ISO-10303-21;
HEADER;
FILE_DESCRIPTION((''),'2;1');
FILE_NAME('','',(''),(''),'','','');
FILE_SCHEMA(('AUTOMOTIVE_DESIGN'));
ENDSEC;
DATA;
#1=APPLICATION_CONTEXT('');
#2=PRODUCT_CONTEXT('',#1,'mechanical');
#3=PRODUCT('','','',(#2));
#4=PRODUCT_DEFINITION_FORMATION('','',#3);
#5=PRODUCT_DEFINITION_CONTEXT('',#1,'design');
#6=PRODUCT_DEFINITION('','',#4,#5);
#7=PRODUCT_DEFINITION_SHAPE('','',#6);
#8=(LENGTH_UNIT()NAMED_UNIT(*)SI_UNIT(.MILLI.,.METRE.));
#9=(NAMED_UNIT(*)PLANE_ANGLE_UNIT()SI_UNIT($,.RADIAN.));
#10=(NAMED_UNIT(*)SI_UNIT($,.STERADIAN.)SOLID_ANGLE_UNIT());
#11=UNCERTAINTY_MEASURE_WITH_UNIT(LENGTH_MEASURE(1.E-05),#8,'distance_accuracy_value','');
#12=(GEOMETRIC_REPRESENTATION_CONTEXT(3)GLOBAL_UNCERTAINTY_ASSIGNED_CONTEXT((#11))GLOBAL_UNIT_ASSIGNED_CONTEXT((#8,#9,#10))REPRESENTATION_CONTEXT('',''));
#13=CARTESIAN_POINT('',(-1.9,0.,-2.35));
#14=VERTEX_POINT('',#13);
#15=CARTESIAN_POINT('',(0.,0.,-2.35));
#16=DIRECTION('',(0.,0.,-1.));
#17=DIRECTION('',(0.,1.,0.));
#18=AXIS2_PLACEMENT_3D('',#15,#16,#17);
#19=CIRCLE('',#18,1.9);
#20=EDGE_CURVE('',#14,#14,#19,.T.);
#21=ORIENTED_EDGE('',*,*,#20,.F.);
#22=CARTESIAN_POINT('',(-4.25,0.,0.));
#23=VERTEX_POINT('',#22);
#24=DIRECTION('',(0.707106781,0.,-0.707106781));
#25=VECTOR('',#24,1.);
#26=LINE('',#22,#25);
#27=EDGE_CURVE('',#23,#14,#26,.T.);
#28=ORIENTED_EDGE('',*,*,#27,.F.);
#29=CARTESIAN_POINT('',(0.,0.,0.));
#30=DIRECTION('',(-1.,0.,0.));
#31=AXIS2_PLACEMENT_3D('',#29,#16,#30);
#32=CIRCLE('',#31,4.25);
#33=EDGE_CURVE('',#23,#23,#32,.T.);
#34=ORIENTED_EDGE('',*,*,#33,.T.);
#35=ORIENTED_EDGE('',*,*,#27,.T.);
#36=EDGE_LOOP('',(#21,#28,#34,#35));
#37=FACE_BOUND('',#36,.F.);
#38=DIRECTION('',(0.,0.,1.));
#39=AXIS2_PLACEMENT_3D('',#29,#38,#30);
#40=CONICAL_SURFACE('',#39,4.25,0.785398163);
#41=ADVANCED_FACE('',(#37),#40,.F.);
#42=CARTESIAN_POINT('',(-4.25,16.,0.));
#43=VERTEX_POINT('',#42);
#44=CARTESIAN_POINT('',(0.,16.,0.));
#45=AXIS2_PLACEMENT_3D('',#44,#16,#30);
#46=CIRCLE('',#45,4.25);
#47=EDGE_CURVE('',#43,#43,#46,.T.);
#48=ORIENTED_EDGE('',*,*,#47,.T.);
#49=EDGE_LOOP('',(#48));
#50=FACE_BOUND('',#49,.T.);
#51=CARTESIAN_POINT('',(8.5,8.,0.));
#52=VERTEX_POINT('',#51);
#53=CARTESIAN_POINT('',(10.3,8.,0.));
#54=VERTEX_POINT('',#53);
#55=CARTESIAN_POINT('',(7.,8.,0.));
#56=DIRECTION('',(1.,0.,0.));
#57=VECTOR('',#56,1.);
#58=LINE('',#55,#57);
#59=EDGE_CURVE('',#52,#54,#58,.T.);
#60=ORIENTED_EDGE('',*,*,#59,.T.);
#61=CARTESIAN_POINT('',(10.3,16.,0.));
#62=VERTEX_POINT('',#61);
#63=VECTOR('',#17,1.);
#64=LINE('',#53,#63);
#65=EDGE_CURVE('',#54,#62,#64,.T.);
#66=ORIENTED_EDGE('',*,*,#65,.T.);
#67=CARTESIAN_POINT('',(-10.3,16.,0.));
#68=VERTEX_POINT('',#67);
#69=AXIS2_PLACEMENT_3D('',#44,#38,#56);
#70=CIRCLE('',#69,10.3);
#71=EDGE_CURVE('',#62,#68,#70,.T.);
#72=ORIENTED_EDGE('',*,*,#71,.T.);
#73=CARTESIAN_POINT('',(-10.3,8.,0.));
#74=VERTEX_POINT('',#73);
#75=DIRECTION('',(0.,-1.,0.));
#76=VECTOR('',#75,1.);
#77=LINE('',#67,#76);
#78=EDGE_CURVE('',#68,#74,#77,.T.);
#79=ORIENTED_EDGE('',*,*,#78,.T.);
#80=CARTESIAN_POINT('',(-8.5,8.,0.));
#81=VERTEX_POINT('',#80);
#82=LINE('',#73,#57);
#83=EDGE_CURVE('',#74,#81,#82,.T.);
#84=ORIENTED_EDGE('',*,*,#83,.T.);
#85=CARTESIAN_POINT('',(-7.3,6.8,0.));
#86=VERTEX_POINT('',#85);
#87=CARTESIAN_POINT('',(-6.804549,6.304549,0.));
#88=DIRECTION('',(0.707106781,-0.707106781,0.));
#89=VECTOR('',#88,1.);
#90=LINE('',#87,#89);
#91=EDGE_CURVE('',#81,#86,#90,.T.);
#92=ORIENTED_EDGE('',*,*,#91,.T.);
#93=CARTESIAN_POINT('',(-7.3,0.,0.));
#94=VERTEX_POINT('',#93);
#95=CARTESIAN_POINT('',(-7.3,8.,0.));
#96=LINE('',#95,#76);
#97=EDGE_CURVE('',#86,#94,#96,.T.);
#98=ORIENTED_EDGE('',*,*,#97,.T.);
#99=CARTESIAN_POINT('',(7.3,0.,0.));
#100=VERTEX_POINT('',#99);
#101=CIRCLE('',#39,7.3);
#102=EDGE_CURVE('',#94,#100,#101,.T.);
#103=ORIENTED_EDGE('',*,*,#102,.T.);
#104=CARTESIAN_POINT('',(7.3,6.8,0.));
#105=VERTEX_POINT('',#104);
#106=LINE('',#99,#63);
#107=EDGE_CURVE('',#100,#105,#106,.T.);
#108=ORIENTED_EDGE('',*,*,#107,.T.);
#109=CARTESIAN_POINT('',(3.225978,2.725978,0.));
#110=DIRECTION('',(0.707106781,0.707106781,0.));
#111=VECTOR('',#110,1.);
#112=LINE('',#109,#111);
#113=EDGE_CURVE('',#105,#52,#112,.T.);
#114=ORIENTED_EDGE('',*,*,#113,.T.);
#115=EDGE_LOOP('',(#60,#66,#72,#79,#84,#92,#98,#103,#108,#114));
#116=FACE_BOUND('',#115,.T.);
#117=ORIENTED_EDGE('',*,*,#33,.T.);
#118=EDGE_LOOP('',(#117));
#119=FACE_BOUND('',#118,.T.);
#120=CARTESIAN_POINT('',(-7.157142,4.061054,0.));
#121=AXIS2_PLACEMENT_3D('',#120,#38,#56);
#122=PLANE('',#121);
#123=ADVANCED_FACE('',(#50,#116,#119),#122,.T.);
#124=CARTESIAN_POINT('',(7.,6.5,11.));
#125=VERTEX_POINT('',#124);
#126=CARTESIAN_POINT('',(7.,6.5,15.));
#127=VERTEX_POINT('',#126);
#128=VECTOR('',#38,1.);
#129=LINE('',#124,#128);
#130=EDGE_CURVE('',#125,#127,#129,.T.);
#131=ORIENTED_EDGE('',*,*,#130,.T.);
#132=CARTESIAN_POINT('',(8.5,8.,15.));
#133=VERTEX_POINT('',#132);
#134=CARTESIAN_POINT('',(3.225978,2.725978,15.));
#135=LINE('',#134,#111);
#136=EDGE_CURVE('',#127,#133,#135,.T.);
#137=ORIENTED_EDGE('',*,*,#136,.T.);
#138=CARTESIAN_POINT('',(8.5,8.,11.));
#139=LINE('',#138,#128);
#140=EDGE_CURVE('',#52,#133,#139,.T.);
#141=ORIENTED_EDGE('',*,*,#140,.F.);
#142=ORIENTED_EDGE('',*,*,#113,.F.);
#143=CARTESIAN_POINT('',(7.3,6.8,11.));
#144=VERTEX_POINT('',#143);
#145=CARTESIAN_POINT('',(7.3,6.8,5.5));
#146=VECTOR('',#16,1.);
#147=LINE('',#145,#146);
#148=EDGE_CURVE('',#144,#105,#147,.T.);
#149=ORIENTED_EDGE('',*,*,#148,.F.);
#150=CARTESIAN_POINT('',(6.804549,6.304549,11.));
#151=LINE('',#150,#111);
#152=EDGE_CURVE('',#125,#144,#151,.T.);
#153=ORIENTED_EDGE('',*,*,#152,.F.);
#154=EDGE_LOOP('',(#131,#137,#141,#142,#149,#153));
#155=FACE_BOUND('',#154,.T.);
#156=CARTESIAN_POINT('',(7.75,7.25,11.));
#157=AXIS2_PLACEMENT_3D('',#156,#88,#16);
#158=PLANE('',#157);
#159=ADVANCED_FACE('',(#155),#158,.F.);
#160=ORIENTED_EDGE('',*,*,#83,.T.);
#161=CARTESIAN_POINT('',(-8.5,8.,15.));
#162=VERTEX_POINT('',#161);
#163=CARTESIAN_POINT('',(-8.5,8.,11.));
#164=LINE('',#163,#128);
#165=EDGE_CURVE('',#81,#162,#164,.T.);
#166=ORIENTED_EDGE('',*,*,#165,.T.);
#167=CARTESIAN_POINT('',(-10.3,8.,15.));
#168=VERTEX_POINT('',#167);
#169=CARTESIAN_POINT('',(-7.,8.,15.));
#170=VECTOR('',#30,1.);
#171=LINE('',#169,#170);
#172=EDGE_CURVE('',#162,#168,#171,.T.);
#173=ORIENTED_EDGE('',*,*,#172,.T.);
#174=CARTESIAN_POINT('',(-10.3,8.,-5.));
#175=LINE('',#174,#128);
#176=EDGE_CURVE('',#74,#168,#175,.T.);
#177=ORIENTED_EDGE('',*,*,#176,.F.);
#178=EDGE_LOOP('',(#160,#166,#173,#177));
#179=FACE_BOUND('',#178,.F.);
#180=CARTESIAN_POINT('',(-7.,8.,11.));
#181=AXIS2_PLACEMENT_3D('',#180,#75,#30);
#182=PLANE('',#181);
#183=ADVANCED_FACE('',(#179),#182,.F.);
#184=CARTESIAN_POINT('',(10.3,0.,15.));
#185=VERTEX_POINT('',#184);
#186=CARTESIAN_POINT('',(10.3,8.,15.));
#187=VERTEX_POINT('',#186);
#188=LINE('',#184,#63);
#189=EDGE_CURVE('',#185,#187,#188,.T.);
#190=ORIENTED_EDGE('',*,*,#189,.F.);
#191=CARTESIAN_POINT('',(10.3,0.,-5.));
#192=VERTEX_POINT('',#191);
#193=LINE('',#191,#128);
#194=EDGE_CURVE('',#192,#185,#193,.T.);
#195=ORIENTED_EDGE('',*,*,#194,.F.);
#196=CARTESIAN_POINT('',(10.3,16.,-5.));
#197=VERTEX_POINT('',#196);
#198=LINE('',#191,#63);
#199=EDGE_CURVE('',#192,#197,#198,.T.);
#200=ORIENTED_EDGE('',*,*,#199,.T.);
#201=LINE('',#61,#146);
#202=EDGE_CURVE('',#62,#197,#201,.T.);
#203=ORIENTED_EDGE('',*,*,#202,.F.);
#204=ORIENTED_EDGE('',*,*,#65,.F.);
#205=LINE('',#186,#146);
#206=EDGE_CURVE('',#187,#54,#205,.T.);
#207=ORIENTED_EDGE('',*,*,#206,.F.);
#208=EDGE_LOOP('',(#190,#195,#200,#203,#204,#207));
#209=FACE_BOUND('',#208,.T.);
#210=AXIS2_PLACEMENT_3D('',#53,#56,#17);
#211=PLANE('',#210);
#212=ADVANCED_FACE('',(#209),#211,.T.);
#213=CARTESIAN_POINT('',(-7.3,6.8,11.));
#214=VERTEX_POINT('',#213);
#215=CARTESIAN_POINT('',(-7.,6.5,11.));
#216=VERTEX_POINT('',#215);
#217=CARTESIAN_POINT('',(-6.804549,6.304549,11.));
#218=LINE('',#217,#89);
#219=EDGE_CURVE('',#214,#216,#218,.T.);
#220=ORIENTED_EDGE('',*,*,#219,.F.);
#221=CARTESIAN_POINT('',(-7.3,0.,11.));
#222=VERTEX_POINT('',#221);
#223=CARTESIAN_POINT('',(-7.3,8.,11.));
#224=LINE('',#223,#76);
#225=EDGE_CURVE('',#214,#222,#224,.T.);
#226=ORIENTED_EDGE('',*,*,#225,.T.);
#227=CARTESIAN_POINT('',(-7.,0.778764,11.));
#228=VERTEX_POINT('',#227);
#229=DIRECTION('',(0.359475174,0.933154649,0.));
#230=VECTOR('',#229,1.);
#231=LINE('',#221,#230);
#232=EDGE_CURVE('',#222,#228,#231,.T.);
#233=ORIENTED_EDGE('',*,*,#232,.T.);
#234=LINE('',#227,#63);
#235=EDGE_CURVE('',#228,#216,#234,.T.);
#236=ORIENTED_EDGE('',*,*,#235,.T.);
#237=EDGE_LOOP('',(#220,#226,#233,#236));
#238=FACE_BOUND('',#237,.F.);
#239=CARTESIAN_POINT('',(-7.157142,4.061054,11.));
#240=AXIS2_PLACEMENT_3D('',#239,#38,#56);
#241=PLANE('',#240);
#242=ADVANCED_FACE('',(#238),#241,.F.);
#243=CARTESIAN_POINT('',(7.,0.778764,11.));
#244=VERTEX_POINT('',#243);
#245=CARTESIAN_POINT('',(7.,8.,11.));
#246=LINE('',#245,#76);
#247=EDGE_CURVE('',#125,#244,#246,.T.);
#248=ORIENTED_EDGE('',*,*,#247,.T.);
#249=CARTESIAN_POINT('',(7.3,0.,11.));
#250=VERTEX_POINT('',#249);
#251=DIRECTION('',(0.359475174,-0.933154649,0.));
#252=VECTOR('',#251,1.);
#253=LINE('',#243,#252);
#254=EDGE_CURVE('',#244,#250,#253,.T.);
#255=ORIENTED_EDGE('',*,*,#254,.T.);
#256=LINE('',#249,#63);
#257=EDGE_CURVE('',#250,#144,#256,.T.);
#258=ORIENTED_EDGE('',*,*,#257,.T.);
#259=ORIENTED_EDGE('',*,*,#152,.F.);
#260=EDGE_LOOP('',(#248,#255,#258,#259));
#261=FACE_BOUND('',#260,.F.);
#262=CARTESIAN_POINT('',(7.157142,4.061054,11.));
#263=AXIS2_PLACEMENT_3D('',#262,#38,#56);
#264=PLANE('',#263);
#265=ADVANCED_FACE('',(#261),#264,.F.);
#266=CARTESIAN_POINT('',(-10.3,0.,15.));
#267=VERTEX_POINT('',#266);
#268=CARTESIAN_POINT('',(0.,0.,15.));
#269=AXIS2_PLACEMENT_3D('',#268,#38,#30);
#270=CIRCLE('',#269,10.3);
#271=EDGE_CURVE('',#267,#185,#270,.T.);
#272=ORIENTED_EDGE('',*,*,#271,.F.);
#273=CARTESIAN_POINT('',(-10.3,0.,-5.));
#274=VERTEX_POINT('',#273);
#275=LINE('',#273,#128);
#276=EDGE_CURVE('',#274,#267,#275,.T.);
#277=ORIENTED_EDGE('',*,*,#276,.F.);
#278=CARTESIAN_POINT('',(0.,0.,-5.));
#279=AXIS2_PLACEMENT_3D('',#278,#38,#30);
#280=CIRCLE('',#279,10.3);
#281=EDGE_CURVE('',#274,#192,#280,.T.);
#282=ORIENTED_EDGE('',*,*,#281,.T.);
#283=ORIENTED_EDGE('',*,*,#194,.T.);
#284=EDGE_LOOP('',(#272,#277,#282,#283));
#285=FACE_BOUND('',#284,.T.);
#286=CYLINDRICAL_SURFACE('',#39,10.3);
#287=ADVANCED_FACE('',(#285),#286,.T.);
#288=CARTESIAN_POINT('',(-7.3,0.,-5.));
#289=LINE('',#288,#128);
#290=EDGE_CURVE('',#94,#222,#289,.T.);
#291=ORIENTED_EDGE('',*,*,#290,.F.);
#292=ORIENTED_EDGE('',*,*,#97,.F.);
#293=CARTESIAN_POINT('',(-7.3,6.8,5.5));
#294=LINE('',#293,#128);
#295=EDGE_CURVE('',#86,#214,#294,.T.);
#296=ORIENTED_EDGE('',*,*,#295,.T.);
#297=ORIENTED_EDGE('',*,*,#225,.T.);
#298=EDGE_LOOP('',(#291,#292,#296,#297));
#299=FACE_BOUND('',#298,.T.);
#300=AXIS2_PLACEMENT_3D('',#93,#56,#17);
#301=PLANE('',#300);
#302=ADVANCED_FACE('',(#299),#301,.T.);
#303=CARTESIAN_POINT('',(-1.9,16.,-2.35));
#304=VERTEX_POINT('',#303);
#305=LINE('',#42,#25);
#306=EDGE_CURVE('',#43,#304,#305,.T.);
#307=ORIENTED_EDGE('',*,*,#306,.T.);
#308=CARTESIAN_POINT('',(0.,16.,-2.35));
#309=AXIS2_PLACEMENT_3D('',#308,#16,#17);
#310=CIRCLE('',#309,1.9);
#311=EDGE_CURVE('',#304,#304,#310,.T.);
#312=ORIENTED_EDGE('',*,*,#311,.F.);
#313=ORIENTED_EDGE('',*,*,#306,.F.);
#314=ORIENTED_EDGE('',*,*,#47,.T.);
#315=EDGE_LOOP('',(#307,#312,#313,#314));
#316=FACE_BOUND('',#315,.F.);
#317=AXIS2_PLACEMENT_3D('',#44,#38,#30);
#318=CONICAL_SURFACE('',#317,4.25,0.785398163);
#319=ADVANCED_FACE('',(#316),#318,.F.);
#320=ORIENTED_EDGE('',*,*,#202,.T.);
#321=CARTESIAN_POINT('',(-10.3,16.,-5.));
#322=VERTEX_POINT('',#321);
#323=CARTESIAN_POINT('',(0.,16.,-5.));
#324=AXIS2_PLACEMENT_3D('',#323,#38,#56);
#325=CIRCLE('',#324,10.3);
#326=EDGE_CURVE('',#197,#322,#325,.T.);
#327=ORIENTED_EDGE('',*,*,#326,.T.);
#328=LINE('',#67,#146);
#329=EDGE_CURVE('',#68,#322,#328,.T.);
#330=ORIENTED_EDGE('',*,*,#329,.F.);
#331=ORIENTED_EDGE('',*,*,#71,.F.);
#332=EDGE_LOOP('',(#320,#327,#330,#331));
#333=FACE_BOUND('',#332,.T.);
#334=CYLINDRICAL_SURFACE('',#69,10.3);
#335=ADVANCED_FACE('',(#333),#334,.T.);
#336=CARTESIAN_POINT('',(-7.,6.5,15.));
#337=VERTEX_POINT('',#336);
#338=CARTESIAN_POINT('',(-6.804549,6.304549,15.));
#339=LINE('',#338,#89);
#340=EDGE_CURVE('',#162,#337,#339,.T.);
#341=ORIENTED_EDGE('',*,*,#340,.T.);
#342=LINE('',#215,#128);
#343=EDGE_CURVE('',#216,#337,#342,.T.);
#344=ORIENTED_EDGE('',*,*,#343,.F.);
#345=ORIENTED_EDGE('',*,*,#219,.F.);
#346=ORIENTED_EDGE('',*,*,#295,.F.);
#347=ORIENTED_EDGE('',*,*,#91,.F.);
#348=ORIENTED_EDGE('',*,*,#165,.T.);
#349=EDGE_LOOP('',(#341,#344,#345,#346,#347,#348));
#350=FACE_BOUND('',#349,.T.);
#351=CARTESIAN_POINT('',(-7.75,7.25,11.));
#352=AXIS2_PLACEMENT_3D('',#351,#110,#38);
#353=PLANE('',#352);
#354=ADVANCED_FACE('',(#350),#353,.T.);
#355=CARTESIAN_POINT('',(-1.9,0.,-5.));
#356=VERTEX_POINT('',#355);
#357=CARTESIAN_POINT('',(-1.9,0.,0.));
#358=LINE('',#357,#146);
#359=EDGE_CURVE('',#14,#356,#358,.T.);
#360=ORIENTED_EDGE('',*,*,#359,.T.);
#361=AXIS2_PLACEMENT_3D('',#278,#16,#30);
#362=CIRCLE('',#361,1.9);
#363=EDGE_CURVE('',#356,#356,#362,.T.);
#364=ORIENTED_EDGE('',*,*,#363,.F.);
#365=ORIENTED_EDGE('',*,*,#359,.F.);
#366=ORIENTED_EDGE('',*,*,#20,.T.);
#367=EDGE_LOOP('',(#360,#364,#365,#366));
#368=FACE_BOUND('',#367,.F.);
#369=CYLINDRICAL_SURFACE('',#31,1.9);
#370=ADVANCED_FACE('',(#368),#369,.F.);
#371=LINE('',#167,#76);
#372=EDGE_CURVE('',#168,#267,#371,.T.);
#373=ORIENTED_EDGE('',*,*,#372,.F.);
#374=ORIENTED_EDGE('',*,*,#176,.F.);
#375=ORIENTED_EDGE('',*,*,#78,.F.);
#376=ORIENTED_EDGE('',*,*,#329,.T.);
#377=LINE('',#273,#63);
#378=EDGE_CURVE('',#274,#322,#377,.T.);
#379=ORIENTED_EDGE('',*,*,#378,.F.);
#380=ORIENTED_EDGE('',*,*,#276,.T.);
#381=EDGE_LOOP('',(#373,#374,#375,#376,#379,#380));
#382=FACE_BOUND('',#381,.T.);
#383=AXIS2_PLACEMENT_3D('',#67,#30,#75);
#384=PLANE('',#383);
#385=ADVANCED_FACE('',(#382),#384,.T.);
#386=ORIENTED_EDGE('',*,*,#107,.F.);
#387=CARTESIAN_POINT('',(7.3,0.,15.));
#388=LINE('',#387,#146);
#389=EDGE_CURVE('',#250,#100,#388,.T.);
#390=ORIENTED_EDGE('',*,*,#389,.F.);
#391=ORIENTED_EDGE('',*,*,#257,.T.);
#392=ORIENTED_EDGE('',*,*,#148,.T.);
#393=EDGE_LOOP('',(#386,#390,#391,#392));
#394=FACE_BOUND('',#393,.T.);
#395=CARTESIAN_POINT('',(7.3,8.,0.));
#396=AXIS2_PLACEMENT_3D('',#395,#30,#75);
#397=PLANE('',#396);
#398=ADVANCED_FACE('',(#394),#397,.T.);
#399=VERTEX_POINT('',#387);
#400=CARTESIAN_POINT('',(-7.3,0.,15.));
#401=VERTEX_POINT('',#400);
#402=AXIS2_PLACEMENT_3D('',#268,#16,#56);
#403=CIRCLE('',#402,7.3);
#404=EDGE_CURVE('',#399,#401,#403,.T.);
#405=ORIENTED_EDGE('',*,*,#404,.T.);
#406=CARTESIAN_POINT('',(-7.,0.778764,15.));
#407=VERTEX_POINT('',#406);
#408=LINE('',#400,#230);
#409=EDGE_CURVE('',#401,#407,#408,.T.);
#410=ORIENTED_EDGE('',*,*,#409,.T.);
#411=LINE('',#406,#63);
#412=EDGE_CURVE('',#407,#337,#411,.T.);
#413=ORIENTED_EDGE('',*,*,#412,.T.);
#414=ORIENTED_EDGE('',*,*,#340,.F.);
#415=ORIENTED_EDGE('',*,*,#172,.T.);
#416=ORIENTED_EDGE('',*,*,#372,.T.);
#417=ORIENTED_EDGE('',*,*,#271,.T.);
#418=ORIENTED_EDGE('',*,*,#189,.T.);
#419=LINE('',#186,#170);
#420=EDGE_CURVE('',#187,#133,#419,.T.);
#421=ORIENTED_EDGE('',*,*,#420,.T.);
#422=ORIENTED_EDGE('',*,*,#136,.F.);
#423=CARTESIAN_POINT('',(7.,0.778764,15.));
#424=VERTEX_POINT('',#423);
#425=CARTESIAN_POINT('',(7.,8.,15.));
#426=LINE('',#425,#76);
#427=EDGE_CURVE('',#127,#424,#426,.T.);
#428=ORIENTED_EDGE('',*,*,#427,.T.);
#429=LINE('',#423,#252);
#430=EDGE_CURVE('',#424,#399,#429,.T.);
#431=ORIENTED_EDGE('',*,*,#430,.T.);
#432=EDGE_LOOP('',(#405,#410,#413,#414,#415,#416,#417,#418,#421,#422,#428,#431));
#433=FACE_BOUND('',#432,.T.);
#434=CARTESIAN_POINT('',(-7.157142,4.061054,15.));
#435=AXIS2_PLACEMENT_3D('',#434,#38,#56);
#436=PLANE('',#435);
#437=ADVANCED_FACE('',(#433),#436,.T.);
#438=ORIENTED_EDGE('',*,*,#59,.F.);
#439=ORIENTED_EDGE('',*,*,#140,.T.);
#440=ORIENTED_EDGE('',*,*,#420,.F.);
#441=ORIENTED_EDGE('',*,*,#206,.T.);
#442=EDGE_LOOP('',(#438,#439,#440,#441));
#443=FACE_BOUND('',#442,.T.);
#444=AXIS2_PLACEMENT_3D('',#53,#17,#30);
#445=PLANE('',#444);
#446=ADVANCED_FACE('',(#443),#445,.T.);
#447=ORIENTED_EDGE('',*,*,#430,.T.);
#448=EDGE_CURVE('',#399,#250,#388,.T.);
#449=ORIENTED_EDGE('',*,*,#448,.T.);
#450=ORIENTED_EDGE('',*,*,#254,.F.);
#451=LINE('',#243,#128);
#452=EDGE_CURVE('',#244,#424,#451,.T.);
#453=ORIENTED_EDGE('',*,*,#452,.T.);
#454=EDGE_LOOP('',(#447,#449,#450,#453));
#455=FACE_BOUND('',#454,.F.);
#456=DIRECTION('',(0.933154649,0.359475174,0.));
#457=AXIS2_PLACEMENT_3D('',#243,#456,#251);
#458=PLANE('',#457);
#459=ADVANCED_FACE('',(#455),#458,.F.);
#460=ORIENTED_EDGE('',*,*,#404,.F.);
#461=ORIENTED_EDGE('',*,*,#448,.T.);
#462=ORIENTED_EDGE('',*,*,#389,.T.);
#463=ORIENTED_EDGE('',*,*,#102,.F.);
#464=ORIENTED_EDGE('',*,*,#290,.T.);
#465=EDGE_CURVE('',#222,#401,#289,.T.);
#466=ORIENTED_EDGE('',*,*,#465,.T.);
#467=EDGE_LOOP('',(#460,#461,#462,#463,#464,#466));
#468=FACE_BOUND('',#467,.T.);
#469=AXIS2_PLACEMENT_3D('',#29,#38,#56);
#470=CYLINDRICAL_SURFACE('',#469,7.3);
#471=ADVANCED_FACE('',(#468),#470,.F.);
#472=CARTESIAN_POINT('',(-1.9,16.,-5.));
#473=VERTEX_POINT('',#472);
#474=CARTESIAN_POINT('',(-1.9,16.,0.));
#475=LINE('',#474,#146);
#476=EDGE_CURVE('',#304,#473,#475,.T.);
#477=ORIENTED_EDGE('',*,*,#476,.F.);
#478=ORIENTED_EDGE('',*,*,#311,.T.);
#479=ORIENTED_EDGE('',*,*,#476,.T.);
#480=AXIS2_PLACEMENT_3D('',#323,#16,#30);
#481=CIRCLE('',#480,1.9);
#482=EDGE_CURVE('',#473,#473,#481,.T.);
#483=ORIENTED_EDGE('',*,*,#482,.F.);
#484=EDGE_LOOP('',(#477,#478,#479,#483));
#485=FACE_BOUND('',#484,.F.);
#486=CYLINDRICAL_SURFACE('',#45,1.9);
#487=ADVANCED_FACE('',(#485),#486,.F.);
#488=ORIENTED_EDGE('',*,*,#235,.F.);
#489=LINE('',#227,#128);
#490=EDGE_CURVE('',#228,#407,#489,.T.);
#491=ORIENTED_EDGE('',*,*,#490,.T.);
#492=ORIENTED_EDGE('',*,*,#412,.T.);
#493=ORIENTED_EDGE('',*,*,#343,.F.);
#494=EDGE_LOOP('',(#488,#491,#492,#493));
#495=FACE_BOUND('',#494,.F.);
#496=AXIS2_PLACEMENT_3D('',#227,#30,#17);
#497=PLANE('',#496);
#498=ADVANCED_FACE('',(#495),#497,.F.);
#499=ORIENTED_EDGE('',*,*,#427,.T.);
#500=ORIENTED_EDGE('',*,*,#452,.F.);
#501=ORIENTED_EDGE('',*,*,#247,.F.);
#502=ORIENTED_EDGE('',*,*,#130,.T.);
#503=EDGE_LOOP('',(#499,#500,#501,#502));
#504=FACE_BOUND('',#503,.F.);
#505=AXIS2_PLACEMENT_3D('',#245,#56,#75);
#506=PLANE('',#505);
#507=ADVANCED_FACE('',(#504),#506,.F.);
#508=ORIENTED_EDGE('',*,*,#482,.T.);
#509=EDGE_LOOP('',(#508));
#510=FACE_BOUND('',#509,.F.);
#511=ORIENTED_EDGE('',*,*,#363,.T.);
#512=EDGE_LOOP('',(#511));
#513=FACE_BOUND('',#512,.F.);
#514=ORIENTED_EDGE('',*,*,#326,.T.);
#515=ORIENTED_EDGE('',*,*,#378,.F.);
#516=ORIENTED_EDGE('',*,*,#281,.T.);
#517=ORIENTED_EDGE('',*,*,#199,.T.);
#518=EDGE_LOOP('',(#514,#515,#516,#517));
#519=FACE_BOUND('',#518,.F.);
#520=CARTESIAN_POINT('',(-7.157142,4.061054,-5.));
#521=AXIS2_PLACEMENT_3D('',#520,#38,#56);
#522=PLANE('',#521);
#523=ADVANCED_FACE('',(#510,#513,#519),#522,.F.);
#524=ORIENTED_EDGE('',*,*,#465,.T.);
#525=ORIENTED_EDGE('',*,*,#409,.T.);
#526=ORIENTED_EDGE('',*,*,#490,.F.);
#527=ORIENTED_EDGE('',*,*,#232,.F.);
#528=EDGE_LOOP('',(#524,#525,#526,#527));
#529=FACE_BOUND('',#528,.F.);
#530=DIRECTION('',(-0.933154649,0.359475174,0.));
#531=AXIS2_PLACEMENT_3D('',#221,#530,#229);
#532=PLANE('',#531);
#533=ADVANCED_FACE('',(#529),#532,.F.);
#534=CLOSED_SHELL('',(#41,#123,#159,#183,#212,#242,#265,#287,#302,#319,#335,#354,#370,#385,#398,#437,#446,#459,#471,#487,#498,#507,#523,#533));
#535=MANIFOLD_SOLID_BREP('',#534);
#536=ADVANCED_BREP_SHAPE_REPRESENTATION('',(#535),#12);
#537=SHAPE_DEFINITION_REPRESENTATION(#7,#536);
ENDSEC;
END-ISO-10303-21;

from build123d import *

# Parameters (mm, degrees)
F1_DEPTH       = 15
F1_DEPTH_BACK  = 5
F2_START       = 11
F2_DEPTH       = 4
F3_DEPTH       = 5
F4_D           = 3.8
F4_CSINK_D     = 8.5
F4_CSINK_ANGLE = 90
F5_SIZE        = 1.5


with BuildPart() as f1:
    # F0 (on Top) → F1 (new body, two sides)
    with BuildSketch(Plane.XY) as f1_sk:
        with BuildLine():
            ThreePointArc((7.3, 0), (0, -7.3), (-7.3, 0))
            Line((-7.3, 0), (-7.3, 8))
            Line((-7.3, 8), (-10.3, 8))
            Line((-10.3, 8), (-10.3, 0))
            ThreePointArc((-10.3, 0), (0, -10.3), (10.3, 0))
            Line((10.3, 0), (10.3, 8))
            Line((10.3, 8), (7.3, 8))
            Line((7.3, 8), (7.3, 0))
        make_face()
    extrude(amount=F1_DEPTH)
    extrude(f1_sk.sketch, amount=-F1_DEPTH_BACK)

    # F0 (on Top) → F2 (join)
    with BuildSketch(Plane.XY.offset(F2_START)):
        Polygon((-7.3, 8), (-7.3, 0), (-7, 0.7787641953), (-7, 8), align=None)
        Polygon((7, 0.7787641953), (7.3, 0), (7.3, 8), (7, 8), align=None)
    extrude(amount=F2_DEPTH)

    # F0 (on Top) → F3 (join)
    with BuildSketch(Plane.XY):
        Polygon((-7.3, 8), (-7.3, 0), (-7, 0.7787641953), (-7, 8), align=None)
        with BuildLine():
            Line((-7, 0.7787641953), (-7.3, 0))
            ThreePointArc((-7.3, 0), (0, -7.3), (7.3, 0))
            Line((7.3, 0), (7, 0.7787641953))
            Line((7, 0.7787641953), (7, 8))
            Line((7, 8), (7.3, 8))
            Line((7.3, 8), (10.3, 8))
            Line((10.3, 8), (10.3, 16))
            ThreePointArc((10.3, 16), (0, 26.3), (-10.3, 16))
            Line((-10.3, 16), (-10.3, 8))
            Line((-10.3, 8), (-7.3, 8))
            Line((-7.3, 8), (-7, 8))
            Line((-7, 8), (-7, 0.7787641953))
        make_face()
        Polygon((7, 0.7787641953), (7.3, 0), (7.3, 8), (7, 8), align=None)
    extrude(amount=-F3_DEPTH)

    # F4 (through all)
    with Locations(Plane.XY):
        with Locations((0, 16), (0, 0)):
            CounterSinkHole(F4_D / 2, F4_CSINK_D / 2, counter_sink_angle=F4_CSINK_ANGLE)

    # F5
    f5_edges = [f1.edges().sort_by_distance(p)[0] for p in [
        (-7, 8, 13),
        (7, 8, 13),
    ]]
    chamfer(f5_edges, length=F5_SIZE)


solid = f1.part
